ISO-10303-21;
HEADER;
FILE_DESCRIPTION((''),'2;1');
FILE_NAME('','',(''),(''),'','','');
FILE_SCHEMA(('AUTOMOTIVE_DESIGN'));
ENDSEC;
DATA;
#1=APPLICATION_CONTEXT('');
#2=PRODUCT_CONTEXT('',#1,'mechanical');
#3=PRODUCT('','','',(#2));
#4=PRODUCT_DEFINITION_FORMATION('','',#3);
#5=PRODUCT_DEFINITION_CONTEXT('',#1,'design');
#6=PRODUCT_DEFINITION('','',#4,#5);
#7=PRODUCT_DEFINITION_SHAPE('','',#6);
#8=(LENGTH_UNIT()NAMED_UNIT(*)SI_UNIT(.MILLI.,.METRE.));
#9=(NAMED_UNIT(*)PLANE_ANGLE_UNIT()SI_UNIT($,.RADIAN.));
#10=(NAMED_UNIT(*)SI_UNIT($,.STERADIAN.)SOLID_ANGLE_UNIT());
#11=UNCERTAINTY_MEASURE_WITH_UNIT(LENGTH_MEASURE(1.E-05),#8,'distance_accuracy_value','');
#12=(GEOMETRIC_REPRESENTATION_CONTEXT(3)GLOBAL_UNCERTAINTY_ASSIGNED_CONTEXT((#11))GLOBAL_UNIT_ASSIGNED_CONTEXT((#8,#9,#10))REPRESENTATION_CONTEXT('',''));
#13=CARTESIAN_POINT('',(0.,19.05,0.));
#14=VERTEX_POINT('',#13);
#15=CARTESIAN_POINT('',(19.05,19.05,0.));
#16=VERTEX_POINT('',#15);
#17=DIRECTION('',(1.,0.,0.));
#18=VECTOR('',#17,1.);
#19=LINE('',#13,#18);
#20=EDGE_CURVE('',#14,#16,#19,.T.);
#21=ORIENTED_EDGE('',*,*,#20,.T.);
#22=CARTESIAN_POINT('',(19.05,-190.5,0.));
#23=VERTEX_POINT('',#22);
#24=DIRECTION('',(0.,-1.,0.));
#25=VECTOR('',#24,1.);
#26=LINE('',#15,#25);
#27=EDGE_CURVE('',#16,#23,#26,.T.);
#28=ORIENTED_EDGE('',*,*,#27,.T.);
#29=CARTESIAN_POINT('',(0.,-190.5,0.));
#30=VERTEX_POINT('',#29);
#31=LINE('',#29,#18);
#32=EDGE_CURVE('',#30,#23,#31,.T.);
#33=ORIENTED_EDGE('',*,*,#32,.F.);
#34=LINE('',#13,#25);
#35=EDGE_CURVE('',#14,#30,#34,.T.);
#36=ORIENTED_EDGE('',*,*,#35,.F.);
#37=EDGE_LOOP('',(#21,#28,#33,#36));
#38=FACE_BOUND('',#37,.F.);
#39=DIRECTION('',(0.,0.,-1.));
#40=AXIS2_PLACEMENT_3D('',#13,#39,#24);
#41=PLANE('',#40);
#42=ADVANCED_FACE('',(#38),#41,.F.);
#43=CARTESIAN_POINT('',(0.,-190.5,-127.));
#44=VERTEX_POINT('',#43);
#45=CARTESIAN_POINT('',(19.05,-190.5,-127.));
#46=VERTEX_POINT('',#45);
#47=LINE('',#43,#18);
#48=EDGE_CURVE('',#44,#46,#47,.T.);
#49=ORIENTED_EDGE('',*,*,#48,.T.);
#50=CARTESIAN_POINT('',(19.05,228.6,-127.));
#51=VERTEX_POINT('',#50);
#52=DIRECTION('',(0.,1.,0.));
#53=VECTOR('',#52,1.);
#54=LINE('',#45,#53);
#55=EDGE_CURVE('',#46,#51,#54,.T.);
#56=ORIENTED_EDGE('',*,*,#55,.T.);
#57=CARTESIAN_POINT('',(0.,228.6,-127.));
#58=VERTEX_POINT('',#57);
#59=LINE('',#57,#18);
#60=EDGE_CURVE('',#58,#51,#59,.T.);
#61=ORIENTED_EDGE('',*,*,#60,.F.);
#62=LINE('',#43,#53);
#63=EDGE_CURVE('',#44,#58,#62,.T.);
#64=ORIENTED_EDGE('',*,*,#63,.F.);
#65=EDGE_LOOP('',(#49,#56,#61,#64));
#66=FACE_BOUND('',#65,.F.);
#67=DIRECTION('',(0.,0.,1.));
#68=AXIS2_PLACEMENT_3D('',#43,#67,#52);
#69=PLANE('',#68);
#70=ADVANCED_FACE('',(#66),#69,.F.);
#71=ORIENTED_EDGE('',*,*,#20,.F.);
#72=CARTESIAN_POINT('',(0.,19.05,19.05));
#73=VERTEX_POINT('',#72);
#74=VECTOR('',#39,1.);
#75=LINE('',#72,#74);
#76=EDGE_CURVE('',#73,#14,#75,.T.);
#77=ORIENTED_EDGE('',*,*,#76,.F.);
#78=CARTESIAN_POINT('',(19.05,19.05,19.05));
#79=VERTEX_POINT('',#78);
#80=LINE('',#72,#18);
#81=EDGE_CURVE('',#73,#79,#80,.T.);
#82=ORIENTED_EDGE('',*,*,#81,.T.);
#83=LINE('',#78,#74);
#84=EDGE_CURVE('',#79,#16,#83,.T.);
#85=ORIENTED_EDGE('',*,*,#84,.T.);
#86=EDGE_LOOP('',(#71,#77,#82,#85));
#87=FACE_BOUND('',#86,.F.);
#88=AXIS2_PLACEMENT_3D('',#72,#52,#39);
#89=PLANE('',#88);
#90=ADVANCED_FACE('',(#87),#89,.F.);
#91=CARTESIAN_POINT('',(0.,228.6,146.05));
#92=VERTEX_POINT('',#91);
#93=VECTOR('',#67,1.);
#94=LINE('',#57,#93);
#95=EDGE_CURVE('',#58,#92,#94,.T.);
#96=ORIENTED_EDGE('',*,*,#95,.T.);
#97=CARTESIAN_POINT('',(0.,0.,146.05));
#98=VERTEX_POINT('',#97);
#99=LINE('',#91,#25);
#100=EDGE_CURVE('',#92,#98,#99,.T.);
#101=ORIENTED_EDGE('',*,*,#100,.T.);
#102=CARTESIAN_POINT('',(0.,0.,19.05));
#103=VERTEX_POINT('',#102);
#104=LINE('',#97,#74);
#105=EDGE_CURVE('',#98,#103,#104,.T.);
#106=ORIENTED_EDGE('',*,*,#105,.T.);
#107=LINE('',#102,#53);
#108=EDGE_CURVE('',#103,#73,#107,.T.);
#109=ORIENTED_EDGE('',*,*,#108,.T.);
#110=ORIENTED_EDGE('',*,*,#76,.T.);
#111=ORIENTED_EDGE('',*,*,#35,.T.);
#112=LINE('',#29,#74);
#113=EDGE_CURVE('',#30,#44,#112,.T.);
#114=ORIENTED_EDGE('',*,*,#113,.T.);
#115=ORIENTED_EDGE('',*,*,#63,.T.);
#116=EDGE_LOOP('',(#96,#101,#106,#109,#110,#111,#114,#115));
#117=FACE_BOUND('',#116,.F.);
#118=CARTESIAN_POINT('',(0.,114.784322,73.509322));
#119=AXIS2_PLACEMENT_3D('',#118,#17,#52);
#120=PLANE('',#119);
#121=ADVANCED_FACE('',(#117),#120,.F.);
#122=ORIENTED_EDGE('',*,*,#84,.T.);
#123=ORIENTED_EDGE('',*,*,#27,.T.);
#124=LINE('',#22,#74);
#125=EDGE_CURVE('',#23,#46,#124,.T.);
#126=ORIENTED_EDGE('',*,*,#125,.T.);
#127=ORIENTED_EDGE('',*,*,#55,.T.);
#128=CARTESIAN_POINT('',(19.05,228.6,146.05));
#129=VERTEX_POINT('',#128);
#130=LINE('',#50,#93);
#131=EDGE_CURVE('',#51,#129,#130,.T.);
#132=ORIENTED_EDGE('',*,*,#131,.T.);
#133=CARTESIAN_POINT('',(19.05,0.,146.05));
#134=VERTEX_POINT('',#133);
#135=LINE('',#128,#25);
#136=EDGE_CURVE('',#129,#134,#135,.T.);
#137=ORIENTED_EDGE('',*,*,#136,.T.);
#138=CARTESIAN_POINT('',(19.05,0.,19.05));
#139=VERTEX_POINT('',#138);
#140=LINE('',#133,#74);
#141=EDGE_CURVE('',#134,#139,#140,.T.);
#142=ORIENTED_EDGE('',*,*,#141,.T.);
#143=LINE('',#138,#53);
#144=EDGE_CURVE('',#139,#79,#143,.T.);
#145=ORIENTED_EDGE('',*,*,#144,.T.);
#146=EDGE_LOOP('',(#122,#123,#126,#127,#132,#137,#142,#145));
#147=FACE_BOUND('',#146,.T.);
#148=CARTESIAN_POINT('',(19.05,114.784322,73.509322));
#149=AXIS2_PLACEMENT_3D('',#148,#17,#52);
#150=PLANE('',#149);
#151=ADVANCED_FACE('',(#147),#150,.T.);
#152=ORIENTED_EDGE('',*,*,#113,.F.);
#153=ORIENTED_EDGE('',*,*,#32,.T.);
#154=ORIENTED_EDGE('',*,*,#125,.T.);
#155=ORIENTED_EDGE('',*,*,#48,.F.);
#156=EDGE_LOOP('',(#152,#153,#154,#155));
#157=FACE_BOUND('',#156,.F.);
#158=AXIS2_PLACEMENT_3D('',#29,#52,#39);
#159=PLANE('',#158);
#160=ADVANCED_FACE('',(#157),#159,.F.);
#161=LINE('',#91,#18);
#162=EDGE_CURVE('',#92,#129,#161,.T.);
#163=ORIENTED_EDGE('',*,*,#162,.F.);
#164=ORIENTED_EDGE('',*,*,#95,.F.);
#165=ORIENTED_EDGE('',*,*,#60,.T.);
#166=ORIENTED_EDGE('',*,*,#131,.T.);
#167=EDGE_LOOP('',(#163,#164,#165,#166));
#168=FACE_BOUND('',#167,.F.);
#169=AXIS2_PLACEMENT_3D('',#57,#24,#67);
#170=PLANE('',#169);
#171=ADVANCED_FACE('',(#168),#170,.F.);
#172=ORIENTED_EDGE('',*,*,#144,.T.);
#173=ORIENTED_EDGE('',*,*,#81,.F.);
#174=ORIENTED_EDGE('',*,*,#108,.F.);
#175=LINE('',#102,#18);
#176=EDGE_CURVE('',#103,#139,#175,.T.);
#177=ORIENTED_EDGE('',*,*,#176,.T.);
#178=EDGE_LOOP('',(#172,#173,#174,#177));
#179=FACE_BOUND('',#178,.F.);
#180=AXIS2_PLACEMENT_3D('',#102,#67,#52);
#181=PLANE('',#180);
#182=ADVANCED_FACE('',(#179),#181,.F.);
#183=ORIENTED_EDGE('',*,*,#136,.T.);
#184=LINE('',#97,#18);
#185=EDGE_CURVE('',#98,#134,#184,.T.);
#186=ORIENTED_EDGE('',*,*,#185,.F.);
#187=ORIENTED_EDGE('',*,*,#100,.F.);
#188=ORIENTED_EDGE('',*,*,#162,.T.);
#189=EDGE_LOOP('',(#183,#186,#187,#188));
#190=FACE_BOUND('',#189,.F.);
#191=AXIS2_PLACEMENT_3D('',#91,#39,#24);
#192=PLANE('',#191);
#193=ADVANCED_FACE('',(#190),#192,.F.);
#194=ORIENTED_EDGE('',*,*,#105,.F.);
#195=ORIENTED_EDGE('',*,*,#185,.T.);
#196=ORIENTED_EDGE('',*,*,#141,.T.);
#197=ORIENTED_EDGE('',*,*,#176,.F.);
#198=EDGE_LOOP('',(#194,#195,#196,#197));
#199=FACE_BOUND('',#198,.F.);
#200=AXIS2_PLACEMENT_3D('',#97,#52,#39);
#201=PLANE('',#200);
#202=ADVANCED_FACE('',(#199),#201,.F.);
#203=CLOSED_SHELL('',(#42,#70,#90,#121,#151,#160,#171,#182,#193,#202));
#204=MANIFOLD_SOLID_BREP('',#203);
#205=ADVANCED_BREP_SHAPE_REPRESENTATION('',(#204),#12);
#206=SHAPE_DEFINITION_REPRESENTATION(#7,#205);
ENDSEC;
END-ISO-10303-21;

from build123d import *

# Parameters (mm, degrees)
F1_DEPTH = 19.05


with BuildPart() as f1:
    # F0 (on Right) → F1 (new body)
    with BuildSketch(Plane.YZ):
        Polygon((19.05, 19.05), (19.05, 0), (228.6, 0), (228.6, 146.05), (0, 146.05), (0, 19.05), align=None)
        Polygon((19.05, 0), (0, 0), (-190.5, 0), (-190.5, -127), (228.6, -127), (228.6, 0), align=None)
    extrude(amount=F1_DEPTH)


solid = f1.part
